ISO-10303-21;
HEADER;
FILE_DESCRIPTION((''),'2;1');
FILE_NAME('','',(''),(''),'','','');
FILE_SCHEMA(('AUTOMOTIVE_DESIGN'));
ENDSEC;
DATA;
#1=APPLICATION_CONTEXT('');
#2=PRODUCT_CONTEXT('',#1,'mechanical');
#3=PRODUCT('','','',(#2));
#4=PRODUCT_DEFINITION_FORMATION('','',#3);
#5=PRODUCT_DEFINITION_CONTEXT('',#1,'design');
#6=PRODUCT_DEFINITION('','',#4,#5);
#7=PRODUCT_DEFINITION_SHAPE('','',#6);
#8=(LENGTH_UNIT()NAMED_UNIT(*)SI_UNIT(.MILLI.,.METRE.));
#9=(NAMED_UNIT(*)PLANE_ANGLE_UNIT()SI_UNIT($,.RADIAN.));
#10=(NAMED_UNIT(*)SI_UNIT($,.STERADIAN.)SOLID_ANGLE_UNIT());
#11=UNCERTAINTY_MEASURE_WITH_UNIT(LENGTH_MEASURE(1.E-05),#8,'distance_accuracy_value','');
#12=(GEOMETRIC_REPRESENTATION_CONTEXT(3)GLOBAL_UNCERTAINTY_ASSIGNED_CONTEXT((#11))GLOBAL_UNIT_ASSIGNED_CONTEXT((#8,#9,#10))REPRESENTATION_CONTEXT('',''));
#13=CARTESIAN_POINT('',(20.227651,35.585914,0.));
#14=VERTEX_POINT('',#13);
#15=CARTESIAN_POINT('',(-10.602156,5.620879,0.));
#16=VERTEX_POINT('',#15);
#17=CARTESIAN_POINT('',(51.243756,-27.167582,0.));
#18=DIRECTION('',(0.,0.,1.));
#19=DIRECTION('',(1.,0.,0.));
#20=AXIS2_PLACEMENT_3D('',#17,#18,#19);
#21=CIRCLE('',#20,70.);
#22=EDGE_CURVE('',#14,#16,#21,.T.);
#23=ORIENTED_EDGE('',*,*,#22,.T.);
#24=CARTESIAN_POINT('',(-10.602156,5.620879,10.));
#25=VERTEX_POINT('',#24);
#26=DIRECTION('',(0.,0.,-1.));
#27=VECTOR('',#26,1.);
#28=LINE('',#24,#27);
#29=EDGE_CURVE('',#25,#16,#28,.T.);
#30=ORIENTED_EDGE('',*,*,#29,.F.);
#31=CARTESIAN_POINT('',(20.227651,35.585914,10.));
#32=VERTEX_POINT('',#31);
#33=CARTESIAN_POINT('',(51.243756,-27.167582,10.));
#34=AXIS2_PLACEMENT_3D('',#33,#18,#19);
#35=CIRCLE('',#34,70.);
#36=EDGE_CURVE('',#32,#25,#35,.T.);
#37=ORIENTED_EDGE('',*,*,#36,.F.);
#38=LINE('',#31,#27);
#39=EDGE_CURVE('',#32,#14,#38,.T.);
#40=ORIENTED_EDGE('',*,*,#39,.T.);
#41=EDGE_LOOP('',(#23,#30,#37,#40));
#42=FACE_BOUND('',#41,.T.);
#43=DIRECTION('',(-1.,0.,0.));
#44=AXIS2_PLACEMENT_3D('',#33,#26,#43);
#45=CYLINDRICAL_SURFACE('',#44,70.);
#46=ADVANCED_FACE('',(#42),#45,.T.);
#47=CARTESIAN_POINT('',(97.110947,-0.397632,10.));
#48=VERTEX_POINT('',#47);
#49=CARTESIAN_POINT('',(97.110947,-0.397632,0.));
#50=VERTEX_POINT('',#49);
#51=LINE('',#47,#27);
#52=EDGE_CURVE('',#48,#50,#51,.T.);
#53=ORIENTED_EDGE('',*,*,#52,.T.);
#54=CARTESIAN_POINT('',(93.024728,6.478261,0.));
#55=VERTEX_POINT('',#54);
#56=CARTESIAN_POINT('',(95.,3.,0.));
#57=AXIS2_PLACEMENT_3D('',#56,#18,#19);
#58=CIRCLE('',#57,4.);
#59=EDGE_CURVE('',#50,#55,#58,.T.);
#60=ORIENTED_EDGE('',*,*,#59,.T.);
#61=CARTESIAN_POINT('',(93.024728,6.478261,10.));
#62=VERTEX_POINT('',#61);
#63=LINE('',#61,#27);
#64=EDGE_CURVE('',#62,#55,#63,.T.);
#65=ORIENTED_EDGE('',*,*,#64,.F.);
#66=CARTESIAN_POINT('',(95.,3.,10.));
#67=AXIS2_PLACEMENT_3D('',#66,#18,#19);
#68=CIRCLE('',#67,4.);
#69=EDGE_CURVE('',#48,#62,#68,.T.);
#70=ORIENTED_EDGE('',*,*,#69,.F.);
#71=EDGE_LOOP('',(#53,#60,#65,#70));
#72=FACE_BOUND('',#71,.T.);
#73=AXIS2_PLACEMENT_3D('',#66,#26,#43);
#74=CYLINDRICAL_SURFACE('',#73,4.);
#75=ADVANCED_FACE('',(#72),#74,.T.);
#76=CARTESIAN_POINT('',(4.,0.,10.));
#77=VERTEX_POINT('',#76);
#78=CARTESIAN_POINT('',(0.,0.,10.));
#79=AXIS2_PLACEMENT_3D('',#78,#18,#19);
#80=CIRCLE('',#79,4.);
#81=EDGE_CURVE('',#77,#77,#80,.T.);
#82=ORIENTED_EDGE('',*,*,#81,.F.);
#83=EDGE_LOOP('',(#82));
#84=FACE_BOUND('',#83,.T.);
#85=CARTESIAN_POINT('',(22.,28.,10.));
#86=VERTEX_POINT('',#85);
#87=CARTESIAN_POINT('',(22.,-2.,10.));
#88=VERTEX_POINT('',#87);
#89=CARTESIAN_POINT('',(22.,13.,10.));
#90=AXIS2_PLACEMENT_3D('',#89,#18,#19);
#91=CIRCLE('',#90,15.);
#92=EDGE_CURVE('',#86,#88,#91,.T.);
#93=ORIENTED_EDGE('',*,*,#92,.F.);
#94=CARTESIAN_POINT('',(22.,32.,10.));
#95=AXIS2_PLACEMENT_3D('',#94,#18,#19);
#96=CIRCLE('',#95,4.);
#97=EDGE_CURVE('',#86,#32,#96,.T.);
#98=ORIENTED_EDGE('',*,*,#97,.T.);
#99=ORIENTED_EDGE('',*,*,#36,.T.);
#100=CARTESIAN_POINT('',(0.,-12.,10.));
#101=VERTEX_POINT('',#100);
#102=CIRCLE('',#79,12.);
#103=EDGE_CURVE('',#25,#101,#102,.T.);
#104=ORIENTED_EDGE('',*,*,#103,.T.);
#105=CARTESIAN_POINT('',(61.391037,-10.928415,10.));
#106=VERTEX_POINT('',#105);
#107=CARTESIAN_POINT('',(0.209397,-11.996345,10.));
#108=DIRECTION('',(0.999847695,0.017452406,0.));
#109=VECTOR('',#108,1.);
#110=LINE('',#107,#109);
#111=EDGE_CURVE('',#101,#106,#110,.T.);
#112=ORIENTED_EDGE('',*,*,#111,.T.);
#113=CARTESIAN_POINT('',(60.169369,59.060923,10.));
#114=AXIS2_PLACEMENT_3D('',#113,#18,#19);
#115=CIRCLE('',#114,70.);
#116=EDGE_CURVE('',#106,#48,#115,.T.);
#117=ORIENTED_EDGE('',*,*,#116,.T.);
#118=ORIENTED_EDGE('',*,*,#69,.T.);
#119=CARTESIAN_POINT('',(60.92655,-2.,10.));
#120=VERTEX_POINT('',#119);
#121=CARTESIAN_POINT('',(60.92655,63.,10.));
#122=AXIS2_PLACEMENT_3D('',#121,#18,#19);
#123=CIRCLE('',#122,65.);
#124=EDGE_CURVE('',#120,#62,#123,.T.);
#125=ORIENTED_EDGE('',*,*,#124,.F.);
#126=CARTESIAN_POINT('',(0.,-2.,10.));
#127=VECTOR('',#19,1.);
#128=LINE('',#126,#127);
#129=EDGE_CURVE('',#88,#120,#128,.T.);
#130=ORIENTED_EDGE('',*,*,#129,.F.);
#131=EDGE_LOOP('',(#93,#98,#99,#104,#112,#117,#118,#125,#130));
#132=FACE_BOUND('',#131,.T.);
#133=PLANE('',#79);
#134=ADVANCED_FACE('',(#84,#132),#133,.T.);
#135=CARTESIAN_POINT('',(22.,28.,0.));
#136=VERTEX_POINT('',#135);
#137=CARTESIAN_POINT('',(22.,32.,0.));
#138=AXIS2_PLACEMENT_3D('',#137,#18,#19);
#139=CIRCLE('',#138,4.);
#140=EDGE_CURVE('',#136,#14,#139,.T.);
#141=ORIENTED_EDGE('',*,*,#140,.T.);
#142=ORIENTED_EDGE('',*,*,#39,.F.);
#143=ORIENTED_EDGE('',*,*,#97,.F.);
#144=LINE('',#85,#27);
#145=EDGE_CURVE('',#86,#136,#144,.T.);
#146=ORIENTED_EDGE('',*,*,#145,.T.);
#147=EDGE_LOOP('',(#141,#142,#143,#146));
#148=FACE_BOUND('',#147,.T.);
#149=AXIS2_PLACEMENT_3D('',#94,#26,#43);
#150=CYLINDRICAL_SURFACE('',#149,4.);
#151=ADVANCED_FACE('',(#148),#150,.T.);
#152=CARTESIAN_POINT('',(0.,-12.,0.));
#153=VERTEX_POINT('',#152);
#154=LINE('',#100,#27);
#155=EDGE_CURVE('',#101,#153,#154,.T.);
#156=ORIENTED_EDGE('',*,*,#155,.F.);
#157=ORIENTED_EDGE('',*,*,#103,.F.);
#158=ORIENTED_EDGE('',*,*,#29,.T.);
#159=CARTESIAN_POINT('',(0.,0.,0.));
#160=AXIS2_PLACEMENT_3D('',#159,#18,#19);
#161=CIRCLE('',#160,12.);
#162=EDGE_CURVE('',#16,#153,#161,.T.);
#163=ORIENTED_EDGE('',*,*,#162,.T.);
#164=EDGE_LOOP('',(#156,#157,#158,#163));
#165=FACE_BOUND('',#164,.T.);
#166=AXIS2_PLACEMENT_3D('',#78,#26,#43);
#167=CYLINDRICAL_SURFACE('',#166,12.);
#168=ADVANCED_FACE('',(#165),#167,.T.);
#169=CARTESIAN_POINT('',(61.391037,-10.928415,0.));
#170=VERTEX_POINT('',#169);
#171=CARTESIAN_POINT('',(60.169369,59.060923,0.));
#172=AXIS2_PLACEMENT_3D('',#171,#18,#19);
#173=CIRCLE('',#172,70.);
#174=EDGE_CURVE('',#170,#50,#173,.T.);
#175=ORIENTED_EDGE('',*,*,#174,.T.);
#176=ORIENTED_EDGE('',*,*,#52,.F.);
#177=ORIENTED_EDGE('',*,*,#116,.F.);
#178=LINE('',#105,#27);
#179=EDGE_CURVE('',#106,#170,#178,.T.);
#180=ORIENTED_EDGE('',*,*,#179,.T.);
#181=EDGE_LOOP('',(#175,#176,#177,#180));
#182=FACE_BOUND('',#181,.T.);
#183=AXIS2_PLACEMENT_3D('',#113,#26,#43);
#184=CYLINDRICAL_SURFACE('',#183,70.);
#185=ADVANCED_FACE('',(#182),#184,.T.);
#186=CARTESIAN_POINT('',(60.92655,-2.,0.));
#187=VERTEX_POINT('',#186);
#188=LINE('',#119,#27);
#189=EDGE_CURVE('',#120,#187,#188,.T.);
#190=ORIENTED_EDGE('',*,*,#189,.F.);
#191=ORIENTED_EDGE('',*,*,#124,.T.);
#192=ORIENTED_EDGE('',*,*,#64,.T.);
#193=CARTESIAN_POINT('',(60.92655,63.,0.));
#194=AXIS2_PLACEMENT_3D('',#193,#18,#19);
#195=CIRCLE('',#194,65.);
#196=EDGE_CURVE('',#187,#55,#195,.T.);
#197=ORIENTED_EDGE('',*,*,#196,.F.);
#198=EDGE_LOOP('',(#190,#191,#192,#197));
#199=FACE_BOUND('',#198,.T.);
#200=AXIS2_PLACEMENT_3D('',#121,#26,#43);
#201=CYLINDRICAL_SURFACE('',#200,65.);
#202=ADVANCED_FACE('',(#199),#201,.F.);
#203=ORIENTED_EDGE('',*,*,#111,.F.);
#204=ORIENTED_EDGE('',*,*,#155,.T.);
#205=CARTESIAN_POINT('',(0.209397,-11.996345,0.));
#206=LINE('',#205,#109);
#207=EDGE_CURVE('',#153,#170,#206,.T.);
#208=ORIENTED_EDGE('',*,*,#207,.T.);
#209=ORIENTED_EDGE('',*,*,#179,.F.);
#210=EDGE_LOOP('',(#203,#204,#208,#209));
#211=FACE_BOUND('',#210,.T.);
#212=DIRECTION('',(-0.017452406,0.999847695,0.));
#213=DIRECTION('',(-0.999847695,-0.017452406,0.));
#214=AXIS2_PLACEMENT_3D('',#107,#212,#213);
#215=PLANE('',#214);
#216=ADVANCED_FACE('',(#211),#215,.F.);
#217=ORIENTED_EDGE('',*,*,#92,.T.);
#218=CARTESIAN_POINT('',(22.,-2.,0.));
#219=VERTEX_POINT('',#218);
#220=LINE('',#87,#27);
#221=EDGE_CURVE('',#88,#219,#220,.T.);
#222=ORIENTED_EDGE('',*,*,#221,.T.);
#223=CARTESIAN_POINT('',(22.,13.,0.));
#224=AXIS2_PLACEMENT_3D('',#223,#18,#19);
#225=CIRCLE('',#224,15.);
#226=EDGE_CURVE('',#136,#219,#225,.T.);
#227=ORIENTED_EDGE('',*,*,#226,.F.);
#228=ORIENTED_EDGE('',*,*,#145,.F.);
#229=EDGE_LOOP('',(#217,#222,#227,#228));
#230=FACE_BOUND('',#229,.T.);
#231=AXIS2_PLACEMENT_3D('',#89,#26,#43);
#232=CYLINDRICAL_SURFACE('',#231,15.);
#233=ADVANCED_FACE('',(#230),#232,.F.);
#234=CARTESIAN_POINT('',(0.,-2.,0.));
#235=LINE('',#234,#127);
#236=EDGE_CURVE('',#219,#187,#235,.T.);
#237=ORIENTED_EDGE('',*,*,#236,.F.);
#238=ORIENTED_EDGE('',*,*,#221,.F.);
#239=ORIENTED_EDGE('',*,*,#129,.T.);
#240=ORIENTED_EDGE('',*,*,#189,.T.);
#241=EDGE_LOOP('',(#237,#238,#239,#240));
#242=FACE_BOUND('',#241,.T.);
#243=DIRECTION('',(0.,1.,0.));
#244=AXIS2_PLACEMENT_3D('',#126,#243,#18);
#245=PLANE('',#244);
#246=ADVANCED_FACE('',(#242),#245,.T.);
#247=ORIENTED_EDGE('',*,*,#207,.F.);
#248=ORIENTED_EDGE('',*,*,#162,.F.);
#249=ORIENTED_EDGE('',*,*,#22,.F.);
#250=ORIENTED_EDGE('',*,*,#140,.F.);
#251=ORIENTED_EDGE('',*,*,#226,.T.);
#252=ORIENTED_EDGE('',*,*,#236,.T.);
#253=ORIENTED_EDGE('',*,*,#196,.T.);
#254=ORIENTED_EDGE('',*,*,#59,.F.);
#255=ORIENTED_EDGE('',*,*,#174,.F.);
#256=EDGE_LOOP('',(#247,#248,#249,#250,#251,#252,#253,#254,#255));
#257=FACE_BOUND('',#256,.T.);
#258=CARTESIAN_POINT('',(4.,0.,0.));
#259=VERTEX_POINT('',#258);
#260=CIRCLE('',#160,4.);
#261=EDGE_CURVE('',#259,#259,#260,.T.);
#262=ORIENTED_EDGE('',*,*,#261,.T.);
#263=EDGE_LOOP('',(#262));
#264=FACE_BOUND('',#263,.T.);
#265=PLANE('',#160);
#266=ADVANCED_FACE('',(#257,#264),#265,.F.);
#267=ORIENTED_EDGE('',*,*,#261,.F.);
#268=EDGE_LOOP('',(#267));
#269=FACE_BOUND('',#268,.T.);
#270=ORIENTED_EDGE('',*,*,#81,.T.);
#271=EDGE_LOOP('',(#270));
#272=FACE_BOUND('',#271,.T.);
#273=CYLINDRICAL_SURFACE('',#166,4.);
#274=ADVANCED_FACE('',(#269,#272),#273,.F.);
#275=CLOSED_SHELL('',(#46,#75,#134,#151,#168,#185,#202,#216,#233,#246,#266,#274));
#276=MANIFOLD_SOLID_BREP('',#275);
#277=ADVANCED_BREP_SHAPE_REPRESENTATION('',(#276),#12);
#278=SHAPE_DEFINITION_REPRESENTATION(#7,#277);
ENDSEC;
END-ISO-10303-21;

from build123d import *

# Parameters (mm, degrees)
SKETCH1_R           = 4
BOSS_EXTRUDE1_DEPTH = 10


with BuildPart() as part:
    # Sketch1 → Boss-Extrude1 (new body)
    with BuildSketch(Plane.XY):
        with BuildLine():
            ThreePointArc((-10.602156333, 5.620879031), (-10.28227962, -6.186657079), (0, -12))
            Line((0, -12), (0.41879396, -11.992689924))
            Line((0.41879396, -11.992689924), (61.391036956, -10.928415464))
            ThreePointArc((61.391036956, -10.928415464), (79.964133291, -8.081963895), (97.110947363, -0.397631709))
            ThreePointArc((97.110947363, -0.397631709), (98.438615507, 5.04350762), (93.024727532, 6.47826087))
            ThreePointArc((93.024727532, 6.47826087), (77.526052275, 0.15529838), (60.926549925, -2))
            Line((60.926549925, -2), (22, -2))
            ThreePointArc((22, -2), (7, 13), (22, 28))
            ThreePointArc((22, 28), (25.895103095, 32.910039494), (20.227651175, 35.58591406))
            ThreePointArc((20.227651175, 35.58591406), (2.455290247, 23.028888484), (-10.602156333, 5.620879031))
        make_face()
        Circle(SKETCH1_R, mode=Mode.SUBTRACT)
    extrude(amount=BOSS_EXTRUDE1_DEPTH)


solid = part.part
